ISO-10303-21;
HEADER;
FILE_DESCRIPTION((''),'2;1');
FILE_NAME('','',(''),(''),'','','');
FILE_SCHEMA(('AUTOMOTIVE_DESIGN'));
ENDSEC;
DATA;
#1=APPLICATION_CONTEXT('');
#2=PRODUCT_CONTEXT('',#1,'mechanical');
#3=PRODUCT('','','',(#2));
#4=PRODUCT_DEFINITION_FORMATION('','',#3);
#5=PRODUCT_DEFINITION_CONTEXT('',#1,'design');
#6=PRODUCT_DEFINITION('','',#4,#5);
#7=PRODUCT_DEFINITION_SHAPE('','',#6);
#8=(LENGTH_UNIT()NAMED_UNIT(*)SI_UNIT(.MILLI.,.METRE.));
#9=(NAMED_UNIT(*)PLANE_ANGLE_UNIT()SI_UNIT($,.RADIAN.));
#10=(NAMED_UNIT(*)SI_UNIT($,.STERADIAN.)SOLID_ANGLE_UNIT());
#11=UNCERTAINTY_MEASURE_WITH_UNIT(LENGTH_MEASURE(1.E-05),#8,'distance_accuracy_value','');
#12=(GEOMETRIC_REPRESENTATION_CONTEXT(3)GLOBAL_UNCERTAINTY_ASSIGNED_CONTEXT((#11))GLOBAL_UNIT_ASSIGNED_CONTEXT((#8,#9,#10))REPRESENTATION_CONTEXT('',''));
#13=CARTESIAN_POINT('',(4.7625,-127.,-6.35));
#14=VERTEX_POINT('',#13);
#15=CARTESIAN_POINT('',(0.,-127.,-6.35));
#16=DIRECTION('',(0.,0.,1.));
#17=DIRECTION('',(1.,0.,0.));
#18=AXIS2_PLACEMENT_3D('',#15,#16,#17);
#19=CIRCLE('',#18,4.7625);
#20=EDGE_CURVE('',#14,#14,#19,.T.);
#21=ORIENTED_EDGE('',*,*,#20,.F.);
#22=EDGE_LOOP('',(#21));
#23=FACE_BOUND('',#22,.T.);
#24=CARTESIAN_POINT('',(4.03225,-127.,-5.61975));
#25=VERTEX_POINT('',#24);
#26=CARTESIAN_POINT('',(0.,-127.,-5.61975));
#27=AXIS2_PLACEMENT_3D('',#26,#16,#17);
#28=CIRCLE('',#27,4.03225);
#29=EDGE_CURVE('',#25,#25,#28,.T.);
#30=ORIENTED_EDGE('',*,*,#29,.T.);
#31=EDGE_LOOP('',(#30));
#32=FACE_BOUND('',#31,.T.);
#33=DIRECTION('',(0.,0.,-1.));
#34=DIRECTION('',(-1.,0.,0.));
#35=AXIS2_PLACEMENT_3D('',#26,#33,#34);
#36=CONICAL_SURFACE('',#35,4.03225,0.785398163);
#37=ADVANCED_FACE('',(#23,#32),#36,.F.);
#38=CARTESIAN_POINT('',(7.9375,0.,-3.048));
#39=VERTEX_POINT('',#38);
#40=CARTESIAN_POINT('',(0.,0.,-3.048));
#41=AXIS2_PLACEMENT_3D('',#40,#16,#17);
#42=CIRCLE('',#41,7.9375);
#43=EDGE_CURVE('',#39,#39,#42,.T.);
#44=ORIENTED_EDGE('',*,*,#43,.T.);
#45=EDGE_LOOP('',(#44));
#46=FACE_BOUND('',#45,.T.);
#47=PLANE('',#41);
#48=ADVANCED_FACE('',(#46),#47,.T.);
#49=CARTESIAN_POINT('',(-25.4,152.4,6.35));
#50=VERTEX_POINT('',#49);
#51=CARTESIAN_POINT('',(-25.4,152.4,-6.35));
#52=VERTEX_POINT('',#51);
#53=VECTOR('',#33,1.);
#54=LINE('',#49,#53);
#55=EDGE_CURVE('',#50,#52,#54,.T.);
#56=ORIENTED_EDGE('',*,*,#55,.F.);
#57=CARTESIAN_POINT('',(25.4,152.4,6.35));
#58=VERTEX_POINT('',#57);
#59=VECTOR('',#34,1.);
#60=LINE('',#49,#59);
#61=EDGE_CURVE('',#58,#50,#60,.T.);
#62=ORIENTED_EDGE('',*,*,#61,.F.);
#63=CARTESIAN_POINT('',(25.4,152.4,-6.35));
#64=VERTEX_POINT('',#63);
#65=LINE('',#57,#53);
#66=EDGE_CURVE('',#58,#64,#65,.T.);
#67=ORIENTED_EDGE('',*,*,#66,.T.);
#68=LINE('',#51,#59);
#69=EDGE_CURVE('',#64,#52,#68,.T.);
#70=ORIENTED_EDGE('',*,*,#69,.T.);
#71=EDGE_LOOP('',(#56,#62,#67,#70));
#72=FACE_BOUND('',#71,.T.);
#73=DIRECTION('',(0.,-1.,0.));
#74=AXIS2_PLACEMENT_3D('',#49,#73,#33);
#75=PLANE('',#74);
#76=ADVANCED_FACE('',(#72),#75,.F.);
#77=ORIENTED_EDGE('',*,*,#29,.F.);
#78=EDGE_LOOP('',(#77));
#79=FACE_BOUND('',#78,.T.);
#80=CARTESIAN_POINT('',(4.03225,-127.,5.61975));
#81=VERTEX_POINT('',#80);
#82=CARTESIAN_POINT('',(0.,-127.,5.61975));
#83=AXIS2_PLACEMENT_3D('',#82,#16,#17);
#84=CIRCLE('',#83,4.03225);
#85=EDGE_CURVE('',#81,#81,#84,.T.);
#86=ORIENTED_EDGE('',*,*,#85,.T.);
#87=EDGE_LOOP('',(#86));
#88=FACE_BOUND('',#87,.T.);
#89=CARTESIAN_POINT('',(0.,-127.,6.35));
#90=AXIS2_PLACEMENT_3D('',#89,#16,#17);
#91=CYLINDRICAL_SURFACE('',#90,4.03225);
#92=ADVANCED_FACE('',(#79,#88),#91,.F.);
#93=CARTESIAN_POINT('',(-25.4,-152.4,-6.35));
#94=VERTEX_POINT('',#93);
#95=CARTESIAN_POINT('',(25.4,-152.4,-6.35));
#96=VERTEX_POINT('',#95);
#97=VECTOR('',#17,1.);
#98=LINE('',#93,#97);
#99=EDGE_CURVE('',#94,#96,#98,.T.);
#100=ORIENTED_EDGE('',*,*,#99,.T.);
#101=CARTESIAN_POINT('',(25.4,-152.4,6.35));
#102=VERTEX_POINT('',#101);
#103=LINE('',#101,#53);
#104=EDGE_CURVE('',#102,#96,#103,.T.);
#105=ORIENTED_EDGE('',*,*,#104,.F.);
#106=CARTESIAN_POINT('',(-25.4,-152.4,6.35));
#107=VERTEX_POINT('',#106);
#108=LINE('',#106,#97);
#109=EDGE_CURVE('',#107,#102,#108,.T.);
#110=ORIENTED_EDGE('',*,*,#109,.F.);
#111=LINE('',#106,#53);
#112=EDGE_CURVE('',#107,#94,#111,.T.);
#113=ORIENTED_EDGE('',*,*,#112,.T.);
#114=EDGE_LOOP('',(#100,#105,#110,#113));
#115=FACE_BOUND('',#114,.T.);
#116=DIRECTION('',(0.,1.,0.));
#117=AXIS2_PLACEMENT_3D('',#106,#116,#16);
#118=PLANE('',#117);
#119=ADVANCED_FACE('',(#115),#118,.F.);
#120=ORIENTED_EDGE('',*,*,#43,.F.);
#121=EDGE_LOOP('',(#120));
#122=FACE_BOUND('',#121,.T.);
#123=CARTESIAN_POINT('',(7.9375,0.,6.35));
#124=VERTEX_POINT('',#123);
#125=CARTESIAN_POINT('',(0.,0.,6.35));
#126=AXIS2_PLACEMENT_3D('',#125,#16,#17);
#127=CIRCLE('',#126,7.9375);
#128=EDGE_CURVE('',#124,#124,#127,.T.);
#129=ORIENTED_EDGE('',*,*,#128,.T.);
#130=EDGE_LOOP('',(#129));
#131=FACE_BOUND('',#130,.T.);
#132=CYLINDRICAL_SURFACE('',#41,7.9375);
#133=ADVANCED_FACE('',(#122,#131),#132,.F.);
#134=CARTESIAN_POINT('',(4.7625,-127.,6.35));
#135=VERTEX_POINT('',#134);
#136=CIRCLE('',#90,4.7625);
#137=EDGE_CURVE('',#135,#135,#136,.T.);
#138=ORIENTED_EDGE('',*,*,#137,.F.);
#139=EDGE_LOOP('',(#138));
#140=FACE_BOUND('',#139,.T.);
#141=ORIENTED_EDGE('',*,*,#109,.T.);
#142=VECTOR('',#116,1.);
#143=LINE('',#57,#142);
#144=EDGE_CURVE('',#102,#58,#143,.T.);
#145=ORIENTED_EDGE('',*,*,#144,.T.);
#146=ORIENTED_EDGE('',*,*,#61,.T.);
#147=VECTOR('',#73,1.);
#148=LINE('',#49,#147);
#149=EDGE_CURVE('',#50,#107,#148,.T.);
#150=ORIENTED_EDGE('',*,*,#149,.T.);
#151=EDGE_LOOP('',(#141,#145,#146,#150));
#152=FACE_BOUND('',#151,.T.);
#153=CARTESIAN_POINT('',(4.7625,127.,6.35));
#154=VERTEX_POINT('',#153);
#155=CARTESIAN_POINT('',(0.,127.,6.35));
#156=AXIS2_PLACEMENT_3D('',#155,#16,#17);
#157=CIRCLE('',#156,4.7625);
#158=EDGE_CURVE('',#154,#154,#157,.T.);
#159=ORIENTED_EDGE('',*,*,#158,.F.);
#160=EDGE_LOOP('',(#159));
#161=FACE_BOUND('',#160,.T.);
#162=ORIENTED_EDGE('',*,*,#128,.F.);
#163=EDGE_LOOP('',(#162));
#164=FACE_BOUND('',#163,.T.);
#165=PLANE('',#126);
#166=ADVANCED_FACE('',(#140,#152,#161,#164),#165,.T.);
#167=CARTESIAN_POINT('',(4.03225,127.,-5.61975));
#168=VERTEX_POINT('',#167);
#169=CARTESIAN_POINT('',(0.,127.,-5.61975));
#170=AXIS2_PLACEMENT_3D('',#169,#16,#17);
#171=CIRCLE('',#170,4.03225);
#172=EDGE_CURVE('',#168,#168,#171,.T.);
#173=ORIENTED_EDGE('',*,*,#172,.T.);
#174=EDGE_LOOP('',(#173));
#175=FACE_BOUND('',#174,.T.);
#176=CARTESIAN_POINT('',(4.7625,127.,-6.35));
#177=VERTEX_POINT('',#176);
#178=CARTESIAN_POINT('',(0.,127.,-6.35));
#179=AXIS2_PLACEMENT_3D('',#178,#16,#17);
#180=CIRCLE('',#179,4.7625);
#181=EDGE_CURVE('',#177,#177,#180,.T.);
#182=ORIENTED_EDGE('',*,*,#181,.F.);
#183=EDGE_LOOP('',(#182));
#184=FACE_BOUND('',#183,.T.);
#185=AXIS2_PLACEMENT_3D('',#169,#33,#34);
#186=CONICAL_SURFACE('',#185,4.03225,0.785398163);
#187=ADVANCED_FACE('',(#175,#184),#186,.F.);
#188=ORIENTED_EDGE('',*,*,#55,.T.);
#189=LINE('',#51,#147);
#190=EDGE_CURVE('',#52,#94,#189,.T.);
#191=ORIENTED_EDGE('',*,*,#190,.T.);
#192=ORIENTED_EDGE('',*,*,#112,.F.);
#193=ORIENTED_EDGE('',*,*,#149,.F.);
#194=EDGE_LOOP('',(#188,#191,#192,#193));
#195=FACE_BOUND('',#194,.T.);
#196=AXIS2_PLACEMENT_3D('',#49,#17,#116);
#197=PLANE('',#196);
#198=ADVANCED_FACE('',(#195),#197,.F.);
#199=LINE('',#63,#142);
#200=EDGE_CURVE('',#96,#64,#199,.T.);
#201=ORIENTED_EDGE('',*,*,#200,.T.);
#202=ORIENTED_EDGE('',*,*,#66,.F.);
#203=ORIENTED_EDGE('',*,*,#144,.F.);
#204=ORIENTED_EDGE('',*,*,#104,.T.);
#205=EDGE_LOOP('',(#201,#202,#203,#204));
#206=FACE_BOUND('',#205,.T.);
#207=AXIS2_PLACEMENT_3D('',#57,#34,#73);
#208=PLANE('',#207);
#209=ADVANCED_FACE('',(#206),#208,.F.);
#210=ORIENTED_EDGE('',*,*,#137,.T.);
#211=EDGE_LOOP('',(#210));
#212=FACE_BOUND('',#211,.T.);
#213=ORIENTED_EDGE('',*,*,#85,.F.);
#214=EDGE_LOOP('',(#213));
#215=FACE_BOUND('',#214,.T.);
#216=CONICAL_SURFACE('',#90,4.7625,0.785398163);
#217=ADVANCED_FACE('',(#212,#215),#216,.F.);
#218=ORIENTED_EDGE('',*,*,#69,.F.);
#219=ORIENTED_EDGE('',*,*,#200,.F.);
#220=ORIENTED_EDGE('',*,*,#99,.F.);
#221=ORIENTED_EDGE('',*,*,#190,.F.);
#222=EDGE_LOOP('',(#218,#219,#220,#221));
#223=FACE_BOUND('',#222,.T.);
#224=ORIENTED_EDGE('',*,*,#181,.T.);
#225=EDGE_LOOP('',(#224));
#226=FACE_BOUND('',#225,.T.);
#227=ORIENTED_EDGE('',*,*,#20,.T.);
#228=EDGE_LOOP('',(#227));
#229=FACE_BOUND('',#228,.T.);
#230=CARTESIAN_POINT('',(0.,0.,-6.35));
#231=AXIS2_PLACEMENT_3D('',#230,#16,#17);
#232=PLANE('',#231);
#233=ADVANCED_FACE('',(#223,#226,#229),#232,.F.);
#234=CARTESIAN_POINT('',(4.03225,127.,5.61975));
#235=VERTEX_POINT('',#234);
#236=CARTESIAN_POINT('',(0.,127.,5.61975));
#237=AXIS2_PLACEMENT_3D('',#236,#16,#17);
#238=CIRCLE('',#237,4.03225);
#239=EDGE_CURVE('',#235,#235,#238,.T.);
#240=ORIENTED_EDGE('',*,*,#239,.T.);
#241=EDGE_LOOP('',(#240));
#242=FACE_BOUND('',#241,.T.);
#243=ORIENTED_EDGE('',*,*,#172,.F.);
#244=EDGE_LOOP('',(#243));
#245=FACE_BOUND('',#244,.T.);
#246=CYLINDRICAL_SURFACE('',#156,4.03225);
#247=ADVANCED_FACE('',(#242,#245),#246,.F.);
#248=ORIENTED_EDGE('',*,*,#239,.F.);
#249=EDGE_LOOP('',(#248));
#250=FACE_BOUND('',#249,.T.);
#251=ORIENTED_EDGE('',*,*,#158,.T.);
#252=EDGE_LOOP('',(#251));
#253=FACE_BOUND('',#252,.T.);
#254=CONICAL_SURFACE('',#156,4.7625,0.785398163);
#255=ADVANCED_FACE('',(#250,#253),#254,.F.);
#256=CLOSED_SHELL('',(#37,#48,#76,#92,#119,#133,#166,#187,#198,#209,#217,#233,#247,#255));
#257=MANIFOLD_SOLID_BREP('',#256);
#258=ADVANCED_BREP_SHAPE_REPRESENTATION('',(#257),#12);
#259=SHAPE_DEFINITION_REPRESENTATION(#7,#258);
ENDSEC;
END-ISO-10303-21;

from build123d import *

# Parameters (mm, degrees)
SKETCH1_W_MOCK_PCB_W             = 50.8
SKETCH1_W_MOCK_PCB_H             = 304.8
BOSS_EXTRUDE1_DEPTH              = 6.35
F_3_8_16_TAPPED_HOLE1_AT_2_COUNT = 2
F_3_8_16_TAPPED_HOLE1_AT_2_PITCH = 254
SKETCH3_R                        = 7.9375
CUT_EXTRUDE1_DEPTH               = 9.398


with BuildPart() as part:
    # Sketch1 w/mock PCB → Boss-Extrude1 (new body, symmetric)
    with BuildSketch(Plane.XY):
        Rectangle(SKETCH1_W_MOCK_PCB_W, SKETCH1_W_MOCK_PCB_H)
    extrude(amount=BOSS_EXTRUDE1_DEPTH, both=True)

    # Sketch1 → 3/8-16 Tapped Hole1 (revolve, cut)
    with BuildSketch(Plane(origin=(0, -127, 6.35), x_dir=(0, -1, 0), z_dir=(1, 0, 0))):
        Polygon((0, 0), (0, 12.7), (4.7625, 12.7), (4.03225, 11.96975), (4.03225, 0.73025), (4.7625, 0), align=None)
    f_3_8_16_tapped_hole1 = revolve(axis=Axis((0, -127, 12.7), (0, 0, -1)), mode=Mode.SUBTRACT)

    # 3/8-16 Tapped Hole1 at 2: 3/8-16 Tapped Hole1 ×2
    with Locations(*[(0, i * F_3_8_16_TAPPED_HOLE1_AT_2_PITCH, 0) for i in range(1, F_3_8_16_TAPPED_HOLE1_AT_2_COUNT)]):
        add(f_3_8_16_tapped_hole1, mode=Mode.SUBTRACT)

    # Sketch3 → Cut-Extrude1 (cut)
    with BuildSketch(Plane.XY.offset(6.35)):
        Circle(SKETCH3_R)
    extrude(amount=-CUT_EXTRUDE1_DEPTH, mode=Mode.SUBTRACT)


solid = part.part
